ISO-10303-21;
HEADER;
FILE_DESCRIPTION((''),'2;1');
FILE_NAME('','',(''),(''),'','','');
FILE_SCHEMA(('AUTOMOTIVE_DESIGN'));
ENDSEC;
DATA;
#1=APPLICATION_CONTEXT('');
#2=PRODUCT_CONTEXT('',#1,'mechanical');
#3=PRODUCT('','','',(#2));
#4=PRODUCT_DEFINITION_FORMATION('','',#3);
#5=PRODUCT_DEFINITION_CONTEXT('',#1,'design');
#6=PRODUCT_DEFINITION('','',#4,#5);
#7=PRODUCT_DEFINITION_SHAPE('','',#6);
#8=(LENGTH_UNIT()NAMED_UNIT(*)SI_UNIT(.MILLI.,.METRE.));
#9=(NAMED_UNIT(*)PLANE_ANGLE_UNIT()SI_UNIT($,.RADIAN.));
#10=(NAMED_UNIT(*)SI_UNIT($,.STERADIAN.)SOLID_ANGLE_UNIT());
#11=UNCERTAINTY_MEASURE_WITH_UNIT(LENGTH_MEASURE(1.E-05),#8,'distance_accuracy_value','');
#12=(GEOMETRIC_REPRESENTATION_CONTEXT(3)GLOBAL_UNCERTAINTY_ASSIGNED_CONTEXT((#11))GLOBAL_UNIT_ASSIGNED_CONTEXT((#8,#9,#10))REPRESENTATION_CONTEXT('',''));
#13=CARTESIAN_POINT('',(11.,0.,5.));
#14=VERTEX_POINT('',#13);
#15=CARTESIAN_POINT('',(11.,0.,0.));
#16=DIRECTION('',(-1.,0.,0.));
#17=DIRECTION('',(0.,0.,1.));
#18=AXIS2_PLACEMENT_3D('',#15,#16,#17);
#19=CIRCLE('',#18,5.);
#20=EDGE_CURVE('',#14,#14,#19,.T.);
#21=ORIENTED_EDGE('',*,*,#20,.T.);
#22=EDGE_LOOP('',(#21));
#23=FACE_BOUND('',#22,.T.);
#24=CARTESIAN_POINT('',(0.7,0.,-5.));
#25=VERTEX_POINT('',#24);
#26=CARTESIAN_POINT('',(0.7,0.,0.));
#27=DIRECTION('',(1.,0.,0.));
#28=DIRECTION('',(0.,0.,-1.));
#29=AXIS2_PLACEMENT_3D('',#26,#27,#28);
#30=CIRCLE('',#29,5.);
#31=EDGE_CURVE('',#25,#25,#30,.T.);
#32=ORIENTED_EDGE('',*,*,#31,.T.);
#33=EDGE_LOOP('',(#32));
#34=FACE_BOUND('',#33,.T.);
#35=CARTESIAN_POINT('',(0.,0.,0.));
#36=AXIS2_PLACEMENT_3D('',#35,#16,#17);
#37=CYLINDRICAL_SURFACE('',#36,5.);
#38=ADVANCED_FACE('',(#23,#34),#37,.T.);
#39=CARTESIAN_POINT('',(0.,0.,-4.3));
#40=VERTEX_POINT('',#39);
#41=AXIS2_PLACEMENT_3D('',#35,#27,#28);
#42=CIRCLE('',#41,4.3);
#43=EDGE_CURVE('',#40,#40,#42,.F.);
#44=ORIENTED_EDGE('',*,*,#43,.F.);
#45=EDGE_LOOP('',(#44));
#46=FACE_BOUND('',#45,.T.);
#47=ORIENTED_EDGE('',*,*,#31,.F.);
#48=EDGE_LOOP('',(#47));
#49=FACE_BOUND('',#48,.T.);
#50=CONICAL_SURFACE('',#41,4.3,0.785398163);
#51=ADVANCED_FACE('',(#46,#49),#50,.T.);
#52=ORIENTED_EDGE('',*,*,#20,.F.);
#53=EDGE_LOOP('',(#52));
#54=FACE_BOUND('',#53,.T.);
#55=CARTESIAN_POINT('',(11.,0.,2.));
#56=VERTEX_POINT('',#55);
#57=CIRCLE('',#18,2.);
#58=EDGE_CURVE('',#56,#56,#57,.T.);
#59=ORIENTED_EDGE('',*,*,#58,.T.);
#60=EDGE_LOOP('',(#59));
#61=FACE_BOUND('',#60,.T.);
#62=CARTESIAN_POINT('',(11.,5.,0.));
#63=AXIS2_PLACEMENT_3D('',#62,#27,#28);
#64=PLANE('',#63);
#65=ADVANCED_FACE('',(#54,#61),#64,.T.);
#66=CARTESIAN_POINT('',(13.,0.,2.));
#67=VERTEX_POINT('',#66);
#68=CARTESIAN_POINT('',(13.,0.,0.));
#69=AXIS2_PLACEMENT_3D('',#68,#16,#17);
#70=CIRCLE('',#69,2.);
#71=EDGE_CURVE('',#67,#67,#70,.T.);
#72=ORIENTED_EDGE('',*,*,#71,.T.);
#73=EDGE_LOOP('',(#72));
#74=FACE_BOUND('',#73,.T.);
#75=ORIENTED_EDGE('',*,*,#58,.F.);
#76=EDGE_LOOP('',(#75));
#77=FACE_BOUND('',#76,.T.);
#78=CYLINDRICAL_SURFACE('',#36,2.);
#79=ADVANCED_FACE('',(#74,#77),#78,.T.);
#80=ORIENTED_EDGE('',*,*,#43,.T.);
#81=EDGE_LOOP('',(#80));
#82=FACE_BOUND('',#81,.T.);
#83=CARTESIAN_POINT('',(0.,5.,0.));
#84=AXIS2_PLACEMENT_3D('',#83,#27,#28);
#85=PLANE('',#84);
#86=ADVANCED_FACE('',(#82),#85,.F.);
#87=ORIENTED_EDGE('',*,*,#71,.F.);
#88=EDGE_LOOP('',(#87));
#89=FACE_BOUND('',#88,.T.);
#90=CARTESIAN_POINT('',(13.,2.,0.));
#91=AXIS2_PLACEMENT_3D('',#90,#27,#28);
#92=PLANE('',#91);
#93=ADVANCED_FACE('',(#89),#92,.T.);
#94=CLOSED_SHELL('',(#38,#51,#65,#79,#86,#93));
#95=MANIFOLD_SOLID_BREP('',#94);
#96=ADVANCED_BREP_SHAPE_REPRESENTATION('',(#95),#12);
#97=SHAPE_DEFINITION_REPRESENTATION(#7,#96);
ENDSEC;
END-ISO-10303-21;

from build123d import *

# Parameters (mm, degrees)
CHANFREIN1_SIZE = 0.7


with BuildPart() as part:
    # Esquisse1 → Base-Révolution (revolve)
    with BuildSketch(Plane.XY, mode=Mode.PRIVATE) as base_r_volution_sk:
        Polygon((0, 5), (0, 0), (13, 0), (13, 2), (11, 2), (11, 5), align=None)
    revolve(base_r_volution_sk.sketch.rotate(Axis((0, 0, 0), (1, 0, 0)), 90), axis=Axis((0, 0, 0), (1, 0, 0)))

    # Chanfrein1
    chanfrein1_edges = [part.edges().sort_by_distance(p)[0] for p in [
        (0, 0, -5),
    ]]
    chamfer(chanfrein1_edges, length=CHANFREIN1_SIZE)


solid = part.part
